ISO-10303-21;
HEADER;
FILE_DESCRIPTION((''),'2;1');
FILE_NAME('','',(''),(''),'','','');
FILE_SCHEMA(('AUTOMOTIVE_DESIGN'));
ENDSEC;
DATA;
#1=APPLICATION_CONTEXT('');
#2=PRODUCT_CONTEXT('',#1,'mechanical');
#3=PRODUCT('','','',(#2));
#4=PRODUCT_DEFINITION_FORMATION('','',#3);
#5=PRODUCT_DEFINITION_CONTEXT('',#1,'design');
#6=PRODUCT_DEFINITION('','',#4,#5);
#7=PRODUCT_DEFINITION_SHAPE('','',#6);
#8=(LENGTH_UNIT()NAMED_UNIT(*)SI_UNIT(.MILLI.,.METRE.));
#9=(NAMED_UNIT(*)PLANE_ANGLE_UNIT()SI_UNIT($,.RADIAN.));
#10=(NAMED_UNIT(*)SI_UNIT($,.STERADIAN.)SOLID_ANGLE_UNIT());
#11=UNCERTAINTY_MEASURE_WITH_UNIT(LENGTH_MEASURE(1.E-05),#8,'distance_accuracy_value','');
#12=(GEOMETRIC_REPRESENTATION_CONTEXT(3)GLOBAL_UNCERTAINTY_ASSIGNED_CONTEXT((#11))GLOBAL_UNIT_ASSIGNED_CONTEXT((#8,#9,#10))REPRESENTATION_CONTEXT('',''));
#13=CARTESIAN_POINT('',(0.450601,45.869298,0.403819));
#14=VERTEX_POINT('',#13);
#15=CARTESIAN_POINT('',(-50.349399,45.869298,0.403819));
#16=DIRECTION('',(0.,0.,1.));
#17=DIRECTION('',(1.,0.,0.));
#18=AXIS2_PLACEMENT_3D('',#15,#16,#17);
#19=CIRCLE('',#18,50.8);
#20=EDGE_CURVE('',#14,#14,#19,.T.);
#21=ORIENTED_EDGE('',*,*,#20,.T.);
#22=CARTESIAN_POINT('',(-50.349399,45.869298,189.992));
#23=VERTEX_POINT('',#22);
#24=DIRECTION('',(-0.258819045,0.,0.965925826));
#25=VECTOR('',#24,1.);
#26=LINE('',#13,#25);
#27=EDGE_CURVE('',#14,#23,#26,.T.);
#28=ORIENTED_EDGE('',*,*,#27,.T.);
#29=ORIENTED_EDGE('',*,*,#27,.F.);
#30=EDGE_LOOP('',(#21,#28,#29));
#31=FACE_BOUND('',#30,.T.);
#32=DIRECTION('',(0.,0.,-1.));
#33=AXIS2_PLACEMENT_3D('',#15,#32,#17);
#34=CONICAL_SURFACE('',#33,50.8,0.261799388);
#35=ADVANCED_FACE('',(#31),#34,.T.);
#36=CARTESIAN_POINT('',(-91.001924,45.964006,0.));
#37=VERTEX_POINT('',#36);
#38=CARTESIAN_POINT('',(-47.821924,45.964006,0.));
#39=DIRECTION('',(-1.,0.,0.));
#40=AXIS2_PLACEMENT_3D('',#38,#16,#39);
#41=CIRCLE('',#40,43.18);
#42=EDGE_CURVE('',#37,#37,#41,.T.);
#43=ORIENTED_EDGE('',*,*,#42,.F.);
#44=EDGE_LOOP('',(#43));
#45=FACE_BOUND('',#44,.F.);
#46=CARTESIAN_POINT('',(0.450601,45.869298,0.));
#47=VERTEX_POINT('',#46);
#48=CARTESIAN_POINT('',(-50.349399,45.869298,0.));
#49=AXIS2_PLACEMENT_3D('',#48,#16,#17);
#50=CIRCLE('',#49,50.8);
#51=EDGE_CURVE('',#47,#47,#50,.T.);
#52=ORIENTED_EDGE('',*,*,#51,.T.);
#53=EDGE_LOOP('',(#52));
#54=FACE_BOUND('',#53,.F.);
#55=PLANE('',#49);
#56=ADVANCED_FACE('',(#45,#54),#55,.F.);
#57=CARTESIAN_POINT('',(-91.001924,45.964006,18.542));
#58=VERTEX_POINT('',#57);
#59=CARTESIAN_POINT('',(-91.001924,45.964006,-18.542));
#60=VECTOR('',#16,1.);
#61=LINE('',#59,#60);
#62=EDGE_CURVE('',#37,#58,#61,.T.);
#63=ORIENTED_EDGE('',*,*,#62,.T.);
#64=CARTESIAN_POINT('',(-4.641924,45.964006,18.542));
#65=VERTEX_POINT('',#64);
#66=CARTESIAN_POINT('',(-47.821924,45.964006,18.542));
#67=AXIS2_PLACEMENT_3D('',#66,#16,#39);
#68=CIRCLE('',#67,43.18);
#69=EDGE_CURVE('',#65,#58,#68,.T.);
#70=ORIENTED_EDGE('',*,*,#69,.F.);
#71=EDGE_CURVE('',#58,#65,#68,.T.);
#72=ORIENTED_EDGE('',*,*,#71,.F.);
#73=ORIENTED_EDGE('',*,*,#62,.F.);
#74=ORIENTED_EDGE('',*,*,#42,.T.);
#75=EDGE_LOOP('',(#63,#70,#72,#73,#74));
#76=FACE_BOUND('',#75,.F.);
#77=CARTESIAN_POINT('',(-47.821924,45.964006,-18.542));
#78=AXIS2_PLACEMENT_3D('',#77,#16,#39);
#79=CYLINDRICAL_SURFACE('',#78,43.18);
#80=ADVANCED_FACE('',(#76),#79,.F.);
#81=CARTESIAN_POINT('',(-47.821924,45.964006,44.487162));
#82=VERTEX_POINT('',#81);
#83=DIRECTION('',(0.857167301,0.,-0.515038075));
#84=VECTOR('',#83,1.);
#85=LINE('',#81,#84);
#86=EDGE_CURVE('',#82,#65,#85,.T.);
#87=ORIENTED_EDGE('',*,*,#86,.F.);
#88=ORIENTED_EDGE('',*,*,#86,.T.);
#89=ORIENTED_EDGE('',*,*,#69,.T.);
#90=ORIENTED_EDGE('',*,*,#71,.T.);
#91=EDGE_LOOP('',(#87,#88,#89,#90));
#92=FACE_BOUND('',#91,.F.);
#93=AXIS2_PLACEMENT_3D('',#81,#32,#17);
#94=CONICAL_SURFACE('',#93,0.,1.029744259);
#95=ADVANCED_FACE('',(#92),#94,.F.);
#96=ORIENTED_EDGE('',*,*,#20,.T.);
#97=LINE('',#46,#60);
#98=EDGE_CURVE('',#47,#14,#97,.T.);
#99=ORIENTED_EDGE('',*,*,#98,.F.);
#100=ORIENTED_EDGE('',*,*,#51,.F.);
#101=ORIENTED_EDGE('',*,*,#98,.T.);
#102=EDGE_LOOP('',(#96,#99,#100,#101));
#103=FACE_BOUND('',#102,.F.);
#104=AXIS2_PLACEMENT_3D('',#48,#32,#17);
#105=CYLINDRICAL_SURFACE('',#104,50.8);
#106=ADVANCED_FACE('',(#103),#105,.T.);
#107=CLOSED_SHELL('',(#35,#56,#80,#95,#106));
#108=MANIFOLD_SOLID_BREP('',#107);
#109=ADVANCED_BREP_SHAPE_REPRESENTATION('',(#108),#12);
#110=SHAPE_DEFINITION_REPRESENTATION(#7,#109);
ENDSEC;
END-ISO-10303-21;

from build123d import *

# Parameters (mm, degrees)
F0_R     = 50.8
F1_DEPTH = 189.992
F2_SIZE2 = 50.8
F2_SIZE  = 189.5881810245
F4_D     = 86.36
F4_DEPTH = 18.542
F4_TIP   = 25.9451615296


with BuildPart() as f1:
    # F0 (on Top) → F1 (new body)
    with BuildSketch(Plane.XY):
        with Locations((-50.3493994474, 45.8692982793)):
            Circle(F0_R)
    extrude(amount=F1_DEPTH)

    # F2
    f2_edges = [f1.edges().sort_by_distance(p)[0] for p in [
        (-101.149399, 45.869298, 189.992),
    ]]
    f2_side = f1.faces().sort_by_distance((-101.149399, 45.869298, 94.996))[0]
    chamfer(f2_edges, length=F2_SIZE, length2=F2_SIZE2, reference=f2_side)

    # F4
    with Locations(Plane(origin=(0, 0, 0), x_dir=(1, 0, 0), z_dir=(0, 0, -1))):
        with Locations((-47.8219240904, -45.9640063345)):
            Hole(F4_D / 2, depth=F4_DEPTH)
            with Locations((0, 0, -(F4_DEPTH + F4_TIP / 2))):  # 118° drill point
                Cone(0, F4_D / 2, F4_TIP, mode=Mode.SUBTRACT)


solid = f1.part
